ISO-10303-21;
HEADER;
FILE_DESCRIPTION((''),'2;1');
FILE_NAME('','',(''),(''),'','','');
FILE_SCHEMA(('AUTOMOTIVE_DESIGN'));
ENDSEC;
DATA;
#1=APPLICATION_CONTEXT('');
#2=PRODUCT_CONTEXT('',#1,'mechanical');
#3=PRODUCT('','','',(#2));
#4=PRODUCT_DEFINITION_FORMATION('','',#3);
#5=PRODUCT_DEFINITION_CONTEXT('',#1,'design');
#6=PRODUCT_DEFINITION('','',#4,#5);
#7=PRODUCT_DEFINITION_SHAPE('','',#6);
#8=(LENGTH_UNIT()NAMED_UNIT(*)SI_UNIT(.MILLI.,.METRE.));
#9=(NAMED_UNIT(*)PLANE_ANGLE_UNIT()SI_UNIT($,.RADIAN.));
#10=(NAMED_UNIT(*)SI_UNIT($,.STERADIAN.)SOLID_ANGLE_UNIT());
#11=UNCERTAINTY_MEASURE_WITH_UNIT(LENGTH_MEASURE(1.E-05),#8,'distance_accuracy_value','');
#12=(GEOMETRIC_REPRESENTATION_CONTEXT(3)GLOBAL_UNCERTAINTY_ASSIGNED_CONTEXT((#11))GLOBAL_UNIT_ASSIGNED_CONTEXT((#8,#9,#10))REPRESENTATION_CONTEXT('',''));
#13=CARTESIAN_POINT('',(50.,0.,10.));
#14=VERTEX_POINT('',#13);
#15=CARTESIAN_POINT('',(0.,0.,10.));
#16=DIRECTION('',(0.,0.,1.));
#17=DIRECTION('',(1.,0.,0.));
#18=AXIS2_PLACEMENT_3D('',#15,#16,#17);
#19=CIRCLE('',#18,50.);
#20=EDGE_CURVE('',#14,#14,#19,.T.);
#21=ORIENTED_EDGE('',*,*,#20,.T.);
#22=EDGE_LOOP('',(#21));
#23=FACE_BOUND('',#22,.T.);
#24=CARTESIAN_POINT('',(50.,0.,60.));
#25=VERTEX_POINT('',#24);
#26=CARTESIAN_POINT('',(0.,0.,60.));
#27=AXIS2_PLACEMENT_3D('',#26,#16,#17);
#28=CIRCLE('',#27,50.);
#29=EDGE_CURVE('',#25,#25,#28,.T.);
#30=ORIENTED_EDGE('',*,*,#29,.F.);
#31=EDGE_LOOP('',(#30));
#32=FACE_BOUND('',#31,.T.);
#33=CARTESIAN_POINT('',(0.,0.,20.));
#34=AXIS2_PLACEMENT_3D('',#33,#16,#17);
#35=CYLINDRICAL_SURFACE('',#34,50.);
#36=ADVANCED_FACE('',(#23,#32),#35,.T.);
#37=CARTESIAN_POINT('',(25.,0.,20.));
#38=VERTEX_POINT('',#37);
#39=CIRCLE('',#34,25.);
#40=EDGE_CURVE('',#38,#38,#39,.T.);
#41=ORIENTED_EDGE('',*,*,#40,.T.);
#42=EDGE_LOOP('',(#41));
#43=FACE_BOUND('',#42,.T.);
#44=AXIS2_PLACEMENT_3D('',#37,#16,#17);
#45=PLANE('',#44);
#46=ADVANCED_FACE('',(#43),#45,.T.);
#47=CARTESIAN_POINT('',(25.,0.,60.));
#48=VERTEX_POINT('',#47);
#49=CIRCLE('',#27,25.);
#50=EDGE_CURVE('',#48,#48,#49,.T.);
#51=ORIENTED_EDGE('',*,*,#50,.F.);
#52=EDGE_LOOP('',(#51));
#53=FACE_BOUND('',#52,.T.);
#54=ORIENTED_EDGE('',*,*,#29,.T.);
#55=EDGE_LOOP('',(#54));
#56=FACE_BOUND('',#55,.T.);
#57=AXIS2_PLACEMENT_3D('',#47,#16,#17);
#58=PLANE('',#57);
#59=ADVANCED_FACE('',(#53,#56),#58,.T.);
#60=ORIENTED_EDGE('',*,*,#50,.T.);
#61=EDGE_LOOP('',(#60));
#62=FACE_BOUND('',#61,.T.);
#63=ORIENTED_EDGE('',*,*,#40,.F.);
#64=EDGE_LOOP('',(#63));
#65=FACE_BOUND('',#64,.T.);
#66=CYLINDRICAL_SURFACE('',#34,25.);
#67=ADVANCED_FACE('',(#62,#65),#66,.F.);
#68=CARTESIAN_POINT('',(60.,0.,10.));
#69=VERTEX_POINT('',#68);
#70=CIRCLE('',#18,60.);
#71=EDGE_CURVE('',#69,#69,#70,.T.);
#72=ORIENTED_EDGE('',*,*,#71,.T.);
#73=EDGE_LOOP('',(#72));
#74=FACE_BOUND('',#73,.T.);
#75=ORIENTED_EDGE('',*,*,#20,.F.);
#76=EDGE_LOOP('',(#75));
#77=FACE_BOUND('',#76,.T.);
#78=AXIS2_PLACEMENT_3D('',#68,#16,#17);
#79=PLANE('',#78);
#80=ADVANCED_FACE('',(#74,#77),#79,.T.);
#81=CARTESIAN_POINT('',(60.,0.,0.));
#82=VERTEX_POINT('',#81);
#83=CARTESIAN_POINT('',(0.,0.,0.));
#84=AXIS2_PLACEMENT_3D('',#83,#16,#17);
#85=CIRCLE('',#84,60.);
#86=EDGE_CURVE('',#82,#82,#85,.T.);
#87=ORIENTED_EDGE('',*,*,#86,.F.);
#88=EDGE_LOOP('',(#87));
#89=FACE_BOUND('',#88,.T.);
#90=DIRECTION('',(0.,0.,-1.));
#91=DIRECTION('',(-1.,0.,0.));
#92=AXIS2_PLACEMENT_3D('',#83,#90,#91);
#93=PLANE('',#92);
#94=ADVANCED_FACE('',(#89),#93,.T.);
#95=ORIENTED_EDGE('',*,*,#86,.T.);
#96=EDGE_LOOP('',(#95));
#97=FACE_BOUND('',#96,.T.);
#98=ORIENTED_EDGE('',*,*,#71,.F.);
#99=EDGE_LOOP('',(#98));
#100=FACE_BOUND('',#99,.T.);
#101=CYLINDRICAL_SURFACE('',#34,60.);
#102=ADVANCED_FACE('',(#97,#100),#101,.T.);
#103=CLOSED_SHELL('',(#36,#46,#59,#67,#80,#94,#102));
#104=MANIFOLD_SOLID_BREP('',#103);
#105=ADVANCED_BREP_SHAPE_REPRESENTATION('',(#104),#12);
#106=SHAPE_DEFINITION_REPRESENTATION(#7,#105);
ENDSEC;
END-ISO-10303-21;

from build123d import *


with BuildPart() as part:
    # 草图8 → 旋转1 (revolve)
    with BuildSketch(Plane(origin=(0, 0, 0), x_dir=(1, 0, 0), z_dir=(0, 1, 0))):
        Polygon((25, -60), (25, -20), (0, -20), (0, 0), (60, 0), (60, -10), (50, -10), (50, -60), align=None)
    revolve(axis=Axis((0, 0, 20), (0, 0, -1)))


solid = part.part
